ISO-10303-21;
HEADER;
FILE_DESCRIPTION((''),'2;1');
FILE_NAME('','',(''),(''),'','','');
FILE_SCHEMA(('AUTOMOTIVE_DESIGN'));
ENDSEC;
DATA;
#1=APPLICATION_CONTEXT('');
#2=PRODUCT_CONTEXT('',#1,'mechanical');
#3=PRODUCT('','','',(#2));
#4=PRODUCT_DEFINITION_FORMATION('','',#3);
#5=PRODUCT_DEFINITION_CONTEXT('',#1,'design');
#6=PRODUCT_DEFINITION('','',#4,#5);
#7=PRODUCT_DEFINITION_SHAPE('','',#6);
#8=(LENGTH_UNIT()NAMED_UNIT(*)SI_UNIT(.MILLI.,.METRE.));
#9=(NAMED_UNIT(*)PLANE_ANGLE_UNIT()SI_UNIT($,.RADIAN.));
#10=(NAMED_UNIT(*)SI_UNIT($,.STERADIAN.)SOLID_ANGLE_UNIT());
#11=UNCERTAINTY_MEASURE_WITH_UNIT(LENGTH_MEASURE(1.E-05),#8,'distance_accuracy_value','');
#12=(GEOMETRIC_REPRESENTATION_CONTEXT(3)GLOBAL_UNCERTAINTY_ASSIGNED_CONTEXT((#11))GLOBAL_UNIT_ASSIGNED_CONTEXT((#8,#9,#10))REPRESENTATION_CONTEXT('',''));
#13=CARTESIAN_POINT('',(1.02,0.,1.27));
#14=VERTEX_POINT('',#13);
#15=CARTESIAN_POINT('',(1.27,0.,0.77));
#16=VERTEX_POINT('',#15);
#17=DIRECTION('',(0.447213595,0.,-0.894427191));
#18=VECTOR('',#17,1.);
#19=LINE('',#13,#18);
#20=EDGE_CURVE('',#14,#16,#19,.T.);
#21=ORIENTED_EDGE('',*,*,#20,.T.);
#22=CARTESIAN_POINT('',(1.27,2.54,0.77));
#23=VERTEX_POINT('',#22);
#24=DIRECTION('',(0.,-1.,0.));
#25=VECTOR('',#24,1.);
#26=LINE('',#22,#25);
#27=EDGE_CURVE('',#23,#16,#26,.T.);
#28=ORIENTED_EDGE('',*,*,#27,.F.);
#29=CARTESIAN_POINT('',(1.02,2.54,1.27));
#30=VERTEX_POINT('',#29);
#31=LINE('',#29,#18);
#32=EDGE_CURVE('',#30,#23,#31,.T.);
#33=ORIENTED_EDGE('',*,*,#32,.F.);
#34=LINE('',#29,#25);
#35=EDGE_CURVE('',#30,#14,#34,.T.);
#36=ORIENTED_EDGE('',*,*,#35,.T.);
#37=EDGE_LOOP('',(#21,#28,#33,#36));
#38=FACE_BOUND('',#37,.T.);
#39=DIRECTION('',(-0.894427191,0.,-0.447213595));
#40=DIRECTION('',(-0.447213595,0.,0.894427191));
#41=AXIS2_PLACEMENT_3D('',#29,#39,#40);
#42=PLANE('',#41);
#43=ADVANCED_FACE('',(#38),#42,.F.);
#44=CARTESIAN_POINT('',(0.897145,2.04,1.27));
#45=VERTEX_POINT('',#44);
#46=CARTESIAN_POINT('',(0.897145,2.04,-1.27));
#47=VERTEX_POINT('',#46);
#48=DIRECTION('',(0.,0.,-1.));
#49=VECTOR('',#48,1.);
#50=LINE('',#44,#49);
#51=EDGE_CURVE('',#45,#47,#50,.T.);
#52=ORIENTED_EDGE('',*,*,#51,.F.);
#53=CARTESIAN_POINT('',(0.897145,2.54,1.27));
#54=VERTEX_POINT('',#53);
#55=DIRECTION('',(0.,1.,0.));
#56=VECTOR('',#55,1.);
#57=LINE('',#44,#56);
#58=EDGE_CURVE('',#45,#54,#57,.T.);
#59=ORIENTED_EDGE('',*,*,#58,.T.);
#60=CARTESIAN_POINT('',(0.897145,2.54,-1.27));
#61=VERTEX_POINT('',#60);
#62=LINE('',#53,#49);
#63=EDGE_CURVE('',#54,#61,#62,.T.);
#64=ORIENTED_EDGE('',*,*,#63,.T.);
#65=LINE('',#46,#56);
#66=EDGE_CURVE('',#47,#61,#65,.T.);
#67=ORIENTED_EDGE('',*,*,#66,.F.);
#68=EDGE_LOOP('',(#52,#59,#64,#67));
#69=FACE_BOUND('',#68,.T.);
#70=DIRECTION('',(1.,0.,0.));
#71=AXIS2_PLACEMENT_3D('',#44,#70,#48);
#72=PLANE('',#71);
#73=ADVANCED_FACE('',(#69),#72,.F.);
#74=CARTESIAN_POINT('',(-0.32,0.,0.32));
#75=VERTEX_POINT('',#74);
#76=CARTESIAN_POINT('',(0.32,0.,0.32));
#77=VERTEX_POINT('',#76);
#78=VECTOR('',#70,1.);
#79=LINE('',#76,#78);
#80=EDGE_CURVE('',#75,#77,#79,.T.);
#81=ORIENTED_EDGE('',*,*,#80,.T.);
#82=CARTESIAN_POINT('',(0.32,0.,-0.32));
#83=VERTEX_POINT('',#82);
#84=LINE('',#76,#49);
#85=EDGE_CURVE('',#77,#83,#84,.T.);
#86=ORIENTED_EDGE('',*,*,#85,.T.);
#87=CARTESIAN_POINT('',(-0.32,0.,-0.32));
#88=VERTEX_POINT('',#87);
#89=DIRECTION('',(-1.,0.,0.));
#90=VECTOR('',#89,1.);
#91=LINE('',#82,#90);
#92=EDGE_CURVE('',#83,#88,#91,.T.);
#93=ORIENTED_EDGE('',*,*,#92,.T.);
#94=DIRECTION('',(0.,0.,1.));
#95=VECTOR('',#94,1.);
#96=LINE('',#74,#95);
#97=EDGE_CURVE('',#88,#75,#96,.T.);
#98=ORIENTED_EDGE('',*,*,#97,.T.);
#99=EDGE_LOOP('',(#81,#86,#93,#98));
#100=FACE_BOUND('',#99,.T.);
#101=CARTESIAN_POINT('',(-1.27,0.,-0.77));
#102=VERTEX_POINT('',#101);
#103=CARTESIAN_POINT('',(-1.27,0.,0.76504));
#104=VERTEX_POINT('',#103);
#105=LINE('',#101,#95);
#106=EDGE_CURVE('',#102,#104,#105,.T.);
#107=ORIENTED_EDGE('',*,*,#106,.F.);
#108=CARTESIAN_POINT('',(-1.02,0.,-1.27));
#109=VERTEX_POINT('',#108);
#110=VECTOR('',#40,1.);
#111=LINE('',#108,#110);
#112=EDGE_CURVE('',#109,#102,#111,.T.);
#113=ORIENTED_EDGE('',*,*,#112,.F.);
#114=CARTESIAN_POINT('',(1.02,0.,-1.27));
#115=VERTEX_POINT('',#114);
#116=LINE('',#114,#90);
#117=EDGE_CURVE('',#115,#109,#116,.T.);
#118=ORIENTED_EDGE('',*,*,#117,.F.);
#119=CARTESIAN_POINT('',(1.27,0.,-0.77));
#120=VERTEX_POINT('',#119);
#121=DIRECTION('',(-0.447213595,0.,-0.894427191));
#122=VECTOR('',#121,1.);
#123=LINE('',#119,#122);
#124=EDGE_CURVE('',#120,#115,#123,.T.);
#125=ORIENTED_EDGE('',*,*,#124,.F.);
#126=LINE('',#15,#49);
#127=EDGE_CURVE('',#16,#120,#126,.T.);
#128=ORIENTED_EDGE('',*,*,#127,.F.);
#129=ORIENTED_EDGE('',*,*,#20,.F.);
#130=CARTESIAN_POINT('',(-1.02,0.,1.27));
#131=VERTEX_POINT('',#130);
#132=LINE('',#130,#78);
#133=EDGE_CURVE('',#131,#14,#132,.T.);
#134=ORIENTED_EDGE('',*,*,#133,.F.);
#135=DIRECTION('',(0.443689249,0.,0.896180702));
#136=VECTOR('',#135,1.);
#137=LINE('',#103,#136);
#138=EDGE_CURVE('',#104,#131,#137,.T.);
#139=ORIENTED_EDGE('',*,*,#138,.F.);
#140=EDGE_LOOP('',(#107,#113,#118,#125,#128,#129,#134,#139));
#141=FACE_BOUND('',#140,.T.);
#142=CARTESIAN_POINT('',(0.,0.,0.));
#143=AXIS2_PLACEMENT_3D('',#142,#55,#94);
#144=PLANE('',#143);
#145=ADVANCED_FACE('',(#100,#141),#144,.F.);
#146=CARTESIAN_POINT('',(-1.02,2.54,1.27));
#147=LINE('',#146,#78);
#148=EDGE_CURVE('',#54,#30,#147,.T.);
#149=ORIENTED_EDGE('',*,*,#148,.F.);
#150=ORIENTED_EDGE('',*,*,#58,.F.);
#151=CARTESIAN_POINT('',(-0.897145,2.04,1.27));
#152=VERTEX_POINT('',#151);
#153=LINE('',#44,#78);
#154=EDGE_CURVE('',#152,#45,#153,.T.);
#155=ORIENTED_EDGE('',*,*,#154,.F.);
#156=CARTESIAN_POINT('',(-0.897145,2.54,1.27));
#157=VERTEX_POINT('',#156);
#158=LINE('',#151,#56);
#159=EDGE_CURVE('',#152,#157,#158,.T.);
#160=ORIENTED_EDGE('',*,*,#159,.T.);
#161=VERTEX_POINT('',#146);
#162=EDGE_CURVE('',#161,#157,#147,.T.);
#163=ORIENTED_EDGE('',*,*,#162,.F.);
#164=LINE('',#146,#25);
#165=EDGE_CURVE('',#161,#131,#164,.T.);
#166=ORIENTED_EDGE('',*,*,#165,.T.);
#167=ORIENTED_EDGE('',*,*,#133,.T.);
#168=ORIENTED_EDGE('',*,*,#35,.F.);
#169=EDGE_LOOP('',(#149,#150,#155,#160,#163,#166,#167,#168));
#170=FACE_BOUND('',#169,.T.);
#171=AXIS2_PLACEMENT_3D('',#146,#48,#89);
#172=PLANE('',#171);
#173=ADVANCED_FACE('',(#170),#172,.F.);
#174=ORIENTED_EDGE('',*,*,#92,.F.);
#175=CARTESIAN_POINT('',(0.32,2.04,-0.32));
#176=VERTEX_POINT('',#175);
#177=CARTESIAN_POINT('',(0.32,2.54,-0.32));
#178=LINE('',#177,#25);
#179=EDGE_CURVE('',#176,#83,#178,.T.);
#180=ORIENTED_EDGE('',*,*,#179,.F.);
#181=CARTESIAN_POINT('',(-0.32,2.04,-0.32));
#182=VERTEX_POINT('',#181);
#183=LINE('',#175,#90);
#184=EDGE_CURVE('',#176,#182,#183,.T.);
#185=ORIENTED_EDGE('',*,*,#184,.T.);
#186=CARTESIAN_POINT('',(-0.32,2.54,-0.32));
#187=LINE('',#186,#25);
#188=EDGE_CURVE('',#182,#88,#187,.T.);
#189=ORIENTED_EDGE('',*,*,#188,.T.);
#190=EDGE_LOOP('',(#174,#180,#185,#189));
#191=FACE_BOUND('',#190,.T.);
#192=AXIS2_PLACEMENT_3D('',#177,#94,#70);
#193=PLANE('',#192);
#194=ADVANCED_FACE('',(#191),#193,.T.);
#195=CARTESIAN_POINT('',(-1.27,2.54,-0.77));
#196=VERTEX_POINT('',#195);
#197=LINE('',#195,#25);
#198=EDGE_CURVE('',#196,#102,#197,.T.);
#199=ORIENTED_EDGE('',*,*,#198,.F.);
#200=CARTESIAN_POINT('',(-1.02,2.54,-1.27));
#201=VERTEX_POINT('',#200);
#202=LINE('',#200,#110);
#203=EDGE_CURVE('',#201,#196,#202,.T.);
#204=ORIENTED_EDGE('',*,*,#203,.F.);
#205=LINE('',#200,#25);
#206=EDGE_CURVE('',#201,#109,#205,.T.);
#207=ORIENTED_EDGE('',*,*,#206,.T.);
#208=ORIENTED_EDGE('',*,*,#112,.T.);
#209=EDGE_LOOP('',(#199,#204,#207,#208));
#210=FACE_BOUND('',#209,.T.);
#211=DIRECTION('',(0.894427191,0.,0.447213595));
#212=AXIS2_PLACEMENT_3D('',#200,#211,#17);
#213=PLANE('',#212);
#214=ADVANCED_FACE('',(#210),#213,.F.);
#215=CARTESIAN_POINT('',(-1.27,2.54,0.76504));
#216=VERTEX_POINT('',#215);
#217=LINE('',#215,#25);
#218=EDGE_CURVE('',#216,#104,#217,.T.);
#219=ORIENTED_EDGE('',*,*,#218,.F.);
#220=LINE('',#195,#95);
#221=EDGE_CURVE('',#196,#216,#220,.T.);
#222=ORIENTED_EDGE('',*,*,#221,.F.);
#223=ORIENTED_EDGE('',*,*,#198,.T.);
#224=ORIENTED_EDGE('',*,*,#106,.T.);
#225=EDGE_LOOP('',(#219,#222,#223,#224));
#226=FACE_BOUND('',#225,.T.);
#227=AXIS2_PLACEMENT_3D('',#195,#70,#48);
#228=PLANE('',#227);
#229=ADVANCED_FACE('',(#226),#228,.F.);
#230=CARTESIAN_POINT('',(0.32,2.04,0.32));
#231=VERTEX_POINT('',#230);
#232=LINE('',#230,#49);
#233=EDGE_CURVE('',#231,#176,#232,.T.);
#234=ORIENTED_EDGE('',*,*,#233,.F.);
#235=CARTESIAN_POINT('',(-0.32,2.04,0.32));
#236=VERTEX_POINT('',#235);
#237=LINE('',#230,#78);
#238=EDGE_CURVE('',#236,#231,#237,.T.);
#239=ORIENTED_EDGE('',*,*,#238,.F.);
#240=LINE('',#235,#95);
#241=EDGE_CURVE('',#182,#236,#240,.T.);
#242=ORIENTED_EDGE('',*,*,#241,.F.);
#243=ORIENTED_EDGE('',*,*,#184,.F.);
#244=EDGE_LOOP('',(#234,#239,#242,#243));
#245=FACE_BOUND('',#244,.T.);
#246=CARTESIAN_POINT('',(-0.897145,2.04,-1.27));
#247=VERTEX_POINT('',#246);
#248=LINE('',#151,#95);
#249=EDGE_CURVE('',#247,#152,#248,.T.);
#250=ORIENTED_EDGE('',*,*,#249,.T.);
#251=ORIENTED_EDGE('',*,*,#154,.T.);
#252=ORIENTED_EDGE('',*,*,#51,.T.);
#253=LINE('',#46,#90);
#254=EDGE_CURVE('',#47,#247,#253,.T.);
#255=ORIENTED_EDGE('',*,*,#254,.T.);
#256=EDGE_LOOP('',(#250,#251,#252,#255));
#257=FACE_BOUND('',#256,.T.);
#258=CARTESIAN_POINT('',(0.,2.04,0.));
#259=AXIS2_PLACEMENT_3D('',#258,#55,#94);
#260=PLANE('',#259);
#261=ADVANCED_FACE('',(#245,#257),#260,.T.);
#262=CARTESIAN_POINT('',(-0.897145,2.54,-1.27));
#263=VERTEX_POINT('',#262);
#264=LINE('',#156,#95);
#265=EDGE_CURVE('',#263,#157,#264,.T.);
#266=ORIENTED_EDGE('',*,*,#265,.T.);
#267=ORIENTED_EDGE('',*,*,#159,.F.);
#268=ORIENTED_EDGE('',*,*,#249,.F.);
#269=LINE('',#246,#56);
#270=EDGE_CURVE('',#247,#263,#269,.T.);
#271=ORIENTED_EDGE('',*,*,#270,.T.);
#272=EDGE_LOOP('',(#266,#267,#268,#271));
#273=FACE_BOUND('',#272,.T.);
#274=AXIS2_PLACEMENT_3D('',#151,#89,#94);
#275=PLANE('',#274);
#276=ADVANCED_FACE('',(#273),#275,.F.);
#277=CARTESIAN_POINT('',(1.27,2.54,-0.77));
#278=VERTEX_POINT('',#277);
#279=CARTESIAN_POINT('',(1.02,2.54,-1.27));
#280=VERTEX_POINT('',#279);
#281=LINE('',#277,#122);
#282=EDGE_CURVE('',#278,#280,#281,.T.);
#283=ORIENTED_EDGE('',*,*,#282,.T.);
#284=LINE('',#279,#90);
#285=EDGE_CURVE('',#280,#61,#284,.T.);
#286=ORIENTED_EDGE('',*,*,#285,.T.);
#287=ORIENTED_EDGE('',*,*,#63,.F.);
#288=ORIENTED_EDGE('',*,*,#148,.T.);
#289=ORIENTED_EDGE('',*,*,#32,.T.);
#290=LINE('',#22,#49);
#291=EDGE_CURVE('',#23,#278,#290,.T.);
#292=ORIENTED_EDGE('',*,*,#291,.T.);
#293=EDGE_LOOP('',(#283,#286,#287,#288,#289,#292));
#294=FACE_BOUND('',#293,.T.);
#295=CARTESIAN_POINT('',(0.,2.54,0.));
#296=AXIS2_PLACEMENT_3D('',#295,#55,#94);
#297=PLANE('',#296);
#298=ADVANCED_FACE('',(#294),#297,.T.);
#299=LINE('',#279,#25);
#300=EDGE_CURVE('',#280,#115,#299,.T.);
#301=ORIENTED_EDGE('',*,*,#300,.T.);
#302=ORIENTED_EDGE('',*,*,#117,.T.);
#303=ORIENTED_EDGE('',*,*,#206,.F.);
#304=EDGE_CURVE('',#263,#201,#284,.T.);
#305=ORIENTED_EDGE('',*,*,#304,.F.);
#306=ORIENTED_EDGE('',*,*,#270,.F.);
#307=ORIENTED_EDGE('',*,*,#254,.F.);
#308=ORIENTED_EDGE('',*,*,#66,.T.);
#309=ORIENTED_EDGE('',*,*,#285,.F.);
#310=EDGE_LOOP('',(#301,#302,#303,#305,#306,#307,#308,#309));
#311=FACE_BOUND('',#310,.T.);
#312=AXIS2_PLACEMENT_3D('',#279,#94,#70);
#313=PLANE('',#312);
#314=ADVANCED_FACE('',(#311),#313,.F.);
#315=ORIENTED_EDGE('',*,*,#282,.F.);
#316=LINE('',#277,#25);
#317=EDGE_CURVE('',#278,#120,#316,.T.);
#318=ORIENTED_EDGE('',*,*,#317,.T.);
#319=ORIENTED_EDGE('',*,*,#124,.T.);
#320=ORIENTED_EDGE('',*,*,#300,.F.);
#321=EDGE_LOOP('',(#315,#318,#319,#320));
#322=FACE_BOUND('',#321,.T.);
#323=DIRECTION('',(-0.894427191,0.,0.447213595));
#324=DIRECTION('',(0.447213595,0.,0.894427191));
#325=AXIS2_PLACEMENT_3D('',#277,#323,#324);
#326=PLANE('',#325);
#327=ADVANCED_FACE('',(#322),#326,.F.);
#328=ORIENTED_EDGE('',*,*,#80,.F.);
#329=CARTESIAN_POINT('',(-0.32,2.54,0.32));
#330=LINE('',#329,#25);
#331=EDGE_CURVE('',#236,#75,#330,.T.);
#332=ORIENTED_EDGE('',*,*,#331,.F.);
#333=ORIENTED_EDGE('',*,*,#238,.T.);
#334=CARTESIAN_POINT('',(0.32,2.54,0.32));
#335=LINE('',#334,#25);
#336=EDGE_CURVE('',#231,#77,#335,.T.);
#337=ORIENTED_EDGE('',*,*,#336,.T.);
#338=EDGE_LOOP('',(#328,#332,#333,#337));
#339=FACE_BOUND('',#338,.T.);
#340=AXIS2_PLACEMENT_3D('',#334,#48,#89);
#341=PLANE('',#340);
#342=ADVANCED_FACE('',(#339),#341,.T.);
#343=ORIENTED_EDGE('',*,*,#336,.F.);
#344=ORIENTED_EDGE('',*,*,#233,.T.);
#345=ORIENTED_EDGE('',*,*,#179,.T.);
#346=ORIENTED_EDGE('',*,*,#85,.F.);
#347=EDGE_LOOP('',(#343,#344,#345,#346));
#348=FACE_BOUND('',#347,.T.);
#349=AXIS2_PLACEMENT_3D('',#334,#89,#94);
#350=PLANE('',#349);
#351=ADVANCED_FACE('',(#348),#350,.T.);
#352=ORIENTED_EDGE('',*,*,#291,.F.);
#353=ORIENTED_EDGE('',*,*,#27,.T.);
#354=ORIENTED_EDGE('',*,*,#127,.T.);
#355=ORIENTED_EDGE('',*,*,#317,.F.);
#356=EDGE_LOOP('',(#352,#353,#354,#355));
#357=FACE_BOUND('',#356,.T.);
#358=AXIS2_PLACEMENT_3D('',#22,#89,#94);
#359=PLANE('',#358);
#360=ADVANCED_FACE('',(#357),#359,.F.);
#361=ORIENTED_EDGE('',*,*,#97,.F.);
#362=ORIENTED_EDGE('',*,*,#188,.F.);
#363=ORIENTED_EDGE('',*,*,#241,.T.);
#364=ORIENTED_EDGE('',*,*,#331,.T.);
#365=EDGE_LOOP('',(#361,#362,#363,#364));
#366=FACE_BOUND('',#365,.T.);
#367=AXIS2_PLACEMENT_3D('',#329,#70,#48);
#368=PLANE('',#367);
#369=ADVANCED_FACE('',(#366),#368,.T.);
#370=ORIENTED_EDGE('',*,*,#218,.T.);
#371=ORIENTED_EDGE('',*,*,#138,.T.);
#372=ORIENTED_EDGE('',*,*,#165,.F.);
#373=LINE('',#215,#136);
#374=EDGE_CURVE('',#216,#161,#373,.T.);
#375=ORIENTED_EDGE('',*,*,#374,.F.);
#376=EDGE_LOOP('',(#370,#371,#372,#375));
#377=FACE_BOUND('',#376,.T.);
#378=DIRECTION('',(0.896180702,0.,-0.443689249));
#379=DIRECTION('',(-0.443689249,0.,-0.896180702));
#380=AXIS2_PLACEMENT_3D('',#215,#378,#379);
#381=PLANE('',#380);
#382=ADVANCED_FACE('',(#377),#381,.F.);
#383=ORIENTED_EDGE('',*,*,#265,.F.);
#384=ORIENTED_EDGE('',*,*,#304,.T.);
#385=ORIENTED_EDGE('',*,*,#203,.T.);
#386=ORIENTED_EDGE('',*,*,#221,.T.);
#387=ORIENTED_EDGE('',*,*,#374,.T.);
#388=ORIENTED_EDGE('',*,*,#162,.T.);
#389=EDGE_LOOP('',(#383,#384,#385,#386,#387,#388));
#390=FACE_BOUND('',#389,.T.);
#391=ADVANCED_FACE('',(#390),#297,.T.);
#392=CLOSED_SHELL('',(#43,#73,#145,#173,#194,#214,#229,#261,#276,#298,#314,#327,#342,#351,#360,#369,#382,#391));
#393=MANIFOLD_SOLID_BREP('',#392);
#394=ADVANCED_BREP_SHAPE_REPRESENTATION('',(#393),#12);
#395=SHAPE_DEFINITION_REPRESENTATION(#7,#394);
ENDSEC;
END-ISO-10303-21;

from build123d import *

# Parameters (mm, degrees)
SKETCH1_W           = 0.64
SKETCH1_H           = 0.64
BOSS_EXTRUDE1_DEPTH = 2.54
SKETCH3_W           = 1.79428953
SKETCH3_H           = 2.54
CUT_EXTRUDE1_DEPTH  = 0.5


with BuildPart() as part:
    # Sketch1 → Boss-Extrude1 (new body)
    with BuildSketch(Plane(origin=(0, 0, 0), x_dir=(1, 0, 0), z_dir=(0, 1, 0))):
        Polygon((-1.02, 1.27), (-1.27, 0.77), (-1.27, -0.765040333), (-1.02, -1.27), (1.02, -1.27), (1.27, -0.77), (1.27, 0.77), (1.02, 1.27), align=None)
        Rectangle(SKETCH1_W, SKETCH1_H, mode=Mode.SUBTRACT)
    extrude(amount=BOSS_EXTRUDE1_DEPTH)

    # Sketch3 → Cut-Extrude1 (cut)
    with BuildSketch(Plane(origin=(0, 2.54, 0), x_dir=(1, 0, 0), z_dir=(0, 1, 0))):
        Rectangle(SKETCH3_W, SKETCH3_H)
    extrude(amount=-CUT_EXTRUDE1_DEPTH, mode=Mode.SUBTRACT)


solid = part.part
